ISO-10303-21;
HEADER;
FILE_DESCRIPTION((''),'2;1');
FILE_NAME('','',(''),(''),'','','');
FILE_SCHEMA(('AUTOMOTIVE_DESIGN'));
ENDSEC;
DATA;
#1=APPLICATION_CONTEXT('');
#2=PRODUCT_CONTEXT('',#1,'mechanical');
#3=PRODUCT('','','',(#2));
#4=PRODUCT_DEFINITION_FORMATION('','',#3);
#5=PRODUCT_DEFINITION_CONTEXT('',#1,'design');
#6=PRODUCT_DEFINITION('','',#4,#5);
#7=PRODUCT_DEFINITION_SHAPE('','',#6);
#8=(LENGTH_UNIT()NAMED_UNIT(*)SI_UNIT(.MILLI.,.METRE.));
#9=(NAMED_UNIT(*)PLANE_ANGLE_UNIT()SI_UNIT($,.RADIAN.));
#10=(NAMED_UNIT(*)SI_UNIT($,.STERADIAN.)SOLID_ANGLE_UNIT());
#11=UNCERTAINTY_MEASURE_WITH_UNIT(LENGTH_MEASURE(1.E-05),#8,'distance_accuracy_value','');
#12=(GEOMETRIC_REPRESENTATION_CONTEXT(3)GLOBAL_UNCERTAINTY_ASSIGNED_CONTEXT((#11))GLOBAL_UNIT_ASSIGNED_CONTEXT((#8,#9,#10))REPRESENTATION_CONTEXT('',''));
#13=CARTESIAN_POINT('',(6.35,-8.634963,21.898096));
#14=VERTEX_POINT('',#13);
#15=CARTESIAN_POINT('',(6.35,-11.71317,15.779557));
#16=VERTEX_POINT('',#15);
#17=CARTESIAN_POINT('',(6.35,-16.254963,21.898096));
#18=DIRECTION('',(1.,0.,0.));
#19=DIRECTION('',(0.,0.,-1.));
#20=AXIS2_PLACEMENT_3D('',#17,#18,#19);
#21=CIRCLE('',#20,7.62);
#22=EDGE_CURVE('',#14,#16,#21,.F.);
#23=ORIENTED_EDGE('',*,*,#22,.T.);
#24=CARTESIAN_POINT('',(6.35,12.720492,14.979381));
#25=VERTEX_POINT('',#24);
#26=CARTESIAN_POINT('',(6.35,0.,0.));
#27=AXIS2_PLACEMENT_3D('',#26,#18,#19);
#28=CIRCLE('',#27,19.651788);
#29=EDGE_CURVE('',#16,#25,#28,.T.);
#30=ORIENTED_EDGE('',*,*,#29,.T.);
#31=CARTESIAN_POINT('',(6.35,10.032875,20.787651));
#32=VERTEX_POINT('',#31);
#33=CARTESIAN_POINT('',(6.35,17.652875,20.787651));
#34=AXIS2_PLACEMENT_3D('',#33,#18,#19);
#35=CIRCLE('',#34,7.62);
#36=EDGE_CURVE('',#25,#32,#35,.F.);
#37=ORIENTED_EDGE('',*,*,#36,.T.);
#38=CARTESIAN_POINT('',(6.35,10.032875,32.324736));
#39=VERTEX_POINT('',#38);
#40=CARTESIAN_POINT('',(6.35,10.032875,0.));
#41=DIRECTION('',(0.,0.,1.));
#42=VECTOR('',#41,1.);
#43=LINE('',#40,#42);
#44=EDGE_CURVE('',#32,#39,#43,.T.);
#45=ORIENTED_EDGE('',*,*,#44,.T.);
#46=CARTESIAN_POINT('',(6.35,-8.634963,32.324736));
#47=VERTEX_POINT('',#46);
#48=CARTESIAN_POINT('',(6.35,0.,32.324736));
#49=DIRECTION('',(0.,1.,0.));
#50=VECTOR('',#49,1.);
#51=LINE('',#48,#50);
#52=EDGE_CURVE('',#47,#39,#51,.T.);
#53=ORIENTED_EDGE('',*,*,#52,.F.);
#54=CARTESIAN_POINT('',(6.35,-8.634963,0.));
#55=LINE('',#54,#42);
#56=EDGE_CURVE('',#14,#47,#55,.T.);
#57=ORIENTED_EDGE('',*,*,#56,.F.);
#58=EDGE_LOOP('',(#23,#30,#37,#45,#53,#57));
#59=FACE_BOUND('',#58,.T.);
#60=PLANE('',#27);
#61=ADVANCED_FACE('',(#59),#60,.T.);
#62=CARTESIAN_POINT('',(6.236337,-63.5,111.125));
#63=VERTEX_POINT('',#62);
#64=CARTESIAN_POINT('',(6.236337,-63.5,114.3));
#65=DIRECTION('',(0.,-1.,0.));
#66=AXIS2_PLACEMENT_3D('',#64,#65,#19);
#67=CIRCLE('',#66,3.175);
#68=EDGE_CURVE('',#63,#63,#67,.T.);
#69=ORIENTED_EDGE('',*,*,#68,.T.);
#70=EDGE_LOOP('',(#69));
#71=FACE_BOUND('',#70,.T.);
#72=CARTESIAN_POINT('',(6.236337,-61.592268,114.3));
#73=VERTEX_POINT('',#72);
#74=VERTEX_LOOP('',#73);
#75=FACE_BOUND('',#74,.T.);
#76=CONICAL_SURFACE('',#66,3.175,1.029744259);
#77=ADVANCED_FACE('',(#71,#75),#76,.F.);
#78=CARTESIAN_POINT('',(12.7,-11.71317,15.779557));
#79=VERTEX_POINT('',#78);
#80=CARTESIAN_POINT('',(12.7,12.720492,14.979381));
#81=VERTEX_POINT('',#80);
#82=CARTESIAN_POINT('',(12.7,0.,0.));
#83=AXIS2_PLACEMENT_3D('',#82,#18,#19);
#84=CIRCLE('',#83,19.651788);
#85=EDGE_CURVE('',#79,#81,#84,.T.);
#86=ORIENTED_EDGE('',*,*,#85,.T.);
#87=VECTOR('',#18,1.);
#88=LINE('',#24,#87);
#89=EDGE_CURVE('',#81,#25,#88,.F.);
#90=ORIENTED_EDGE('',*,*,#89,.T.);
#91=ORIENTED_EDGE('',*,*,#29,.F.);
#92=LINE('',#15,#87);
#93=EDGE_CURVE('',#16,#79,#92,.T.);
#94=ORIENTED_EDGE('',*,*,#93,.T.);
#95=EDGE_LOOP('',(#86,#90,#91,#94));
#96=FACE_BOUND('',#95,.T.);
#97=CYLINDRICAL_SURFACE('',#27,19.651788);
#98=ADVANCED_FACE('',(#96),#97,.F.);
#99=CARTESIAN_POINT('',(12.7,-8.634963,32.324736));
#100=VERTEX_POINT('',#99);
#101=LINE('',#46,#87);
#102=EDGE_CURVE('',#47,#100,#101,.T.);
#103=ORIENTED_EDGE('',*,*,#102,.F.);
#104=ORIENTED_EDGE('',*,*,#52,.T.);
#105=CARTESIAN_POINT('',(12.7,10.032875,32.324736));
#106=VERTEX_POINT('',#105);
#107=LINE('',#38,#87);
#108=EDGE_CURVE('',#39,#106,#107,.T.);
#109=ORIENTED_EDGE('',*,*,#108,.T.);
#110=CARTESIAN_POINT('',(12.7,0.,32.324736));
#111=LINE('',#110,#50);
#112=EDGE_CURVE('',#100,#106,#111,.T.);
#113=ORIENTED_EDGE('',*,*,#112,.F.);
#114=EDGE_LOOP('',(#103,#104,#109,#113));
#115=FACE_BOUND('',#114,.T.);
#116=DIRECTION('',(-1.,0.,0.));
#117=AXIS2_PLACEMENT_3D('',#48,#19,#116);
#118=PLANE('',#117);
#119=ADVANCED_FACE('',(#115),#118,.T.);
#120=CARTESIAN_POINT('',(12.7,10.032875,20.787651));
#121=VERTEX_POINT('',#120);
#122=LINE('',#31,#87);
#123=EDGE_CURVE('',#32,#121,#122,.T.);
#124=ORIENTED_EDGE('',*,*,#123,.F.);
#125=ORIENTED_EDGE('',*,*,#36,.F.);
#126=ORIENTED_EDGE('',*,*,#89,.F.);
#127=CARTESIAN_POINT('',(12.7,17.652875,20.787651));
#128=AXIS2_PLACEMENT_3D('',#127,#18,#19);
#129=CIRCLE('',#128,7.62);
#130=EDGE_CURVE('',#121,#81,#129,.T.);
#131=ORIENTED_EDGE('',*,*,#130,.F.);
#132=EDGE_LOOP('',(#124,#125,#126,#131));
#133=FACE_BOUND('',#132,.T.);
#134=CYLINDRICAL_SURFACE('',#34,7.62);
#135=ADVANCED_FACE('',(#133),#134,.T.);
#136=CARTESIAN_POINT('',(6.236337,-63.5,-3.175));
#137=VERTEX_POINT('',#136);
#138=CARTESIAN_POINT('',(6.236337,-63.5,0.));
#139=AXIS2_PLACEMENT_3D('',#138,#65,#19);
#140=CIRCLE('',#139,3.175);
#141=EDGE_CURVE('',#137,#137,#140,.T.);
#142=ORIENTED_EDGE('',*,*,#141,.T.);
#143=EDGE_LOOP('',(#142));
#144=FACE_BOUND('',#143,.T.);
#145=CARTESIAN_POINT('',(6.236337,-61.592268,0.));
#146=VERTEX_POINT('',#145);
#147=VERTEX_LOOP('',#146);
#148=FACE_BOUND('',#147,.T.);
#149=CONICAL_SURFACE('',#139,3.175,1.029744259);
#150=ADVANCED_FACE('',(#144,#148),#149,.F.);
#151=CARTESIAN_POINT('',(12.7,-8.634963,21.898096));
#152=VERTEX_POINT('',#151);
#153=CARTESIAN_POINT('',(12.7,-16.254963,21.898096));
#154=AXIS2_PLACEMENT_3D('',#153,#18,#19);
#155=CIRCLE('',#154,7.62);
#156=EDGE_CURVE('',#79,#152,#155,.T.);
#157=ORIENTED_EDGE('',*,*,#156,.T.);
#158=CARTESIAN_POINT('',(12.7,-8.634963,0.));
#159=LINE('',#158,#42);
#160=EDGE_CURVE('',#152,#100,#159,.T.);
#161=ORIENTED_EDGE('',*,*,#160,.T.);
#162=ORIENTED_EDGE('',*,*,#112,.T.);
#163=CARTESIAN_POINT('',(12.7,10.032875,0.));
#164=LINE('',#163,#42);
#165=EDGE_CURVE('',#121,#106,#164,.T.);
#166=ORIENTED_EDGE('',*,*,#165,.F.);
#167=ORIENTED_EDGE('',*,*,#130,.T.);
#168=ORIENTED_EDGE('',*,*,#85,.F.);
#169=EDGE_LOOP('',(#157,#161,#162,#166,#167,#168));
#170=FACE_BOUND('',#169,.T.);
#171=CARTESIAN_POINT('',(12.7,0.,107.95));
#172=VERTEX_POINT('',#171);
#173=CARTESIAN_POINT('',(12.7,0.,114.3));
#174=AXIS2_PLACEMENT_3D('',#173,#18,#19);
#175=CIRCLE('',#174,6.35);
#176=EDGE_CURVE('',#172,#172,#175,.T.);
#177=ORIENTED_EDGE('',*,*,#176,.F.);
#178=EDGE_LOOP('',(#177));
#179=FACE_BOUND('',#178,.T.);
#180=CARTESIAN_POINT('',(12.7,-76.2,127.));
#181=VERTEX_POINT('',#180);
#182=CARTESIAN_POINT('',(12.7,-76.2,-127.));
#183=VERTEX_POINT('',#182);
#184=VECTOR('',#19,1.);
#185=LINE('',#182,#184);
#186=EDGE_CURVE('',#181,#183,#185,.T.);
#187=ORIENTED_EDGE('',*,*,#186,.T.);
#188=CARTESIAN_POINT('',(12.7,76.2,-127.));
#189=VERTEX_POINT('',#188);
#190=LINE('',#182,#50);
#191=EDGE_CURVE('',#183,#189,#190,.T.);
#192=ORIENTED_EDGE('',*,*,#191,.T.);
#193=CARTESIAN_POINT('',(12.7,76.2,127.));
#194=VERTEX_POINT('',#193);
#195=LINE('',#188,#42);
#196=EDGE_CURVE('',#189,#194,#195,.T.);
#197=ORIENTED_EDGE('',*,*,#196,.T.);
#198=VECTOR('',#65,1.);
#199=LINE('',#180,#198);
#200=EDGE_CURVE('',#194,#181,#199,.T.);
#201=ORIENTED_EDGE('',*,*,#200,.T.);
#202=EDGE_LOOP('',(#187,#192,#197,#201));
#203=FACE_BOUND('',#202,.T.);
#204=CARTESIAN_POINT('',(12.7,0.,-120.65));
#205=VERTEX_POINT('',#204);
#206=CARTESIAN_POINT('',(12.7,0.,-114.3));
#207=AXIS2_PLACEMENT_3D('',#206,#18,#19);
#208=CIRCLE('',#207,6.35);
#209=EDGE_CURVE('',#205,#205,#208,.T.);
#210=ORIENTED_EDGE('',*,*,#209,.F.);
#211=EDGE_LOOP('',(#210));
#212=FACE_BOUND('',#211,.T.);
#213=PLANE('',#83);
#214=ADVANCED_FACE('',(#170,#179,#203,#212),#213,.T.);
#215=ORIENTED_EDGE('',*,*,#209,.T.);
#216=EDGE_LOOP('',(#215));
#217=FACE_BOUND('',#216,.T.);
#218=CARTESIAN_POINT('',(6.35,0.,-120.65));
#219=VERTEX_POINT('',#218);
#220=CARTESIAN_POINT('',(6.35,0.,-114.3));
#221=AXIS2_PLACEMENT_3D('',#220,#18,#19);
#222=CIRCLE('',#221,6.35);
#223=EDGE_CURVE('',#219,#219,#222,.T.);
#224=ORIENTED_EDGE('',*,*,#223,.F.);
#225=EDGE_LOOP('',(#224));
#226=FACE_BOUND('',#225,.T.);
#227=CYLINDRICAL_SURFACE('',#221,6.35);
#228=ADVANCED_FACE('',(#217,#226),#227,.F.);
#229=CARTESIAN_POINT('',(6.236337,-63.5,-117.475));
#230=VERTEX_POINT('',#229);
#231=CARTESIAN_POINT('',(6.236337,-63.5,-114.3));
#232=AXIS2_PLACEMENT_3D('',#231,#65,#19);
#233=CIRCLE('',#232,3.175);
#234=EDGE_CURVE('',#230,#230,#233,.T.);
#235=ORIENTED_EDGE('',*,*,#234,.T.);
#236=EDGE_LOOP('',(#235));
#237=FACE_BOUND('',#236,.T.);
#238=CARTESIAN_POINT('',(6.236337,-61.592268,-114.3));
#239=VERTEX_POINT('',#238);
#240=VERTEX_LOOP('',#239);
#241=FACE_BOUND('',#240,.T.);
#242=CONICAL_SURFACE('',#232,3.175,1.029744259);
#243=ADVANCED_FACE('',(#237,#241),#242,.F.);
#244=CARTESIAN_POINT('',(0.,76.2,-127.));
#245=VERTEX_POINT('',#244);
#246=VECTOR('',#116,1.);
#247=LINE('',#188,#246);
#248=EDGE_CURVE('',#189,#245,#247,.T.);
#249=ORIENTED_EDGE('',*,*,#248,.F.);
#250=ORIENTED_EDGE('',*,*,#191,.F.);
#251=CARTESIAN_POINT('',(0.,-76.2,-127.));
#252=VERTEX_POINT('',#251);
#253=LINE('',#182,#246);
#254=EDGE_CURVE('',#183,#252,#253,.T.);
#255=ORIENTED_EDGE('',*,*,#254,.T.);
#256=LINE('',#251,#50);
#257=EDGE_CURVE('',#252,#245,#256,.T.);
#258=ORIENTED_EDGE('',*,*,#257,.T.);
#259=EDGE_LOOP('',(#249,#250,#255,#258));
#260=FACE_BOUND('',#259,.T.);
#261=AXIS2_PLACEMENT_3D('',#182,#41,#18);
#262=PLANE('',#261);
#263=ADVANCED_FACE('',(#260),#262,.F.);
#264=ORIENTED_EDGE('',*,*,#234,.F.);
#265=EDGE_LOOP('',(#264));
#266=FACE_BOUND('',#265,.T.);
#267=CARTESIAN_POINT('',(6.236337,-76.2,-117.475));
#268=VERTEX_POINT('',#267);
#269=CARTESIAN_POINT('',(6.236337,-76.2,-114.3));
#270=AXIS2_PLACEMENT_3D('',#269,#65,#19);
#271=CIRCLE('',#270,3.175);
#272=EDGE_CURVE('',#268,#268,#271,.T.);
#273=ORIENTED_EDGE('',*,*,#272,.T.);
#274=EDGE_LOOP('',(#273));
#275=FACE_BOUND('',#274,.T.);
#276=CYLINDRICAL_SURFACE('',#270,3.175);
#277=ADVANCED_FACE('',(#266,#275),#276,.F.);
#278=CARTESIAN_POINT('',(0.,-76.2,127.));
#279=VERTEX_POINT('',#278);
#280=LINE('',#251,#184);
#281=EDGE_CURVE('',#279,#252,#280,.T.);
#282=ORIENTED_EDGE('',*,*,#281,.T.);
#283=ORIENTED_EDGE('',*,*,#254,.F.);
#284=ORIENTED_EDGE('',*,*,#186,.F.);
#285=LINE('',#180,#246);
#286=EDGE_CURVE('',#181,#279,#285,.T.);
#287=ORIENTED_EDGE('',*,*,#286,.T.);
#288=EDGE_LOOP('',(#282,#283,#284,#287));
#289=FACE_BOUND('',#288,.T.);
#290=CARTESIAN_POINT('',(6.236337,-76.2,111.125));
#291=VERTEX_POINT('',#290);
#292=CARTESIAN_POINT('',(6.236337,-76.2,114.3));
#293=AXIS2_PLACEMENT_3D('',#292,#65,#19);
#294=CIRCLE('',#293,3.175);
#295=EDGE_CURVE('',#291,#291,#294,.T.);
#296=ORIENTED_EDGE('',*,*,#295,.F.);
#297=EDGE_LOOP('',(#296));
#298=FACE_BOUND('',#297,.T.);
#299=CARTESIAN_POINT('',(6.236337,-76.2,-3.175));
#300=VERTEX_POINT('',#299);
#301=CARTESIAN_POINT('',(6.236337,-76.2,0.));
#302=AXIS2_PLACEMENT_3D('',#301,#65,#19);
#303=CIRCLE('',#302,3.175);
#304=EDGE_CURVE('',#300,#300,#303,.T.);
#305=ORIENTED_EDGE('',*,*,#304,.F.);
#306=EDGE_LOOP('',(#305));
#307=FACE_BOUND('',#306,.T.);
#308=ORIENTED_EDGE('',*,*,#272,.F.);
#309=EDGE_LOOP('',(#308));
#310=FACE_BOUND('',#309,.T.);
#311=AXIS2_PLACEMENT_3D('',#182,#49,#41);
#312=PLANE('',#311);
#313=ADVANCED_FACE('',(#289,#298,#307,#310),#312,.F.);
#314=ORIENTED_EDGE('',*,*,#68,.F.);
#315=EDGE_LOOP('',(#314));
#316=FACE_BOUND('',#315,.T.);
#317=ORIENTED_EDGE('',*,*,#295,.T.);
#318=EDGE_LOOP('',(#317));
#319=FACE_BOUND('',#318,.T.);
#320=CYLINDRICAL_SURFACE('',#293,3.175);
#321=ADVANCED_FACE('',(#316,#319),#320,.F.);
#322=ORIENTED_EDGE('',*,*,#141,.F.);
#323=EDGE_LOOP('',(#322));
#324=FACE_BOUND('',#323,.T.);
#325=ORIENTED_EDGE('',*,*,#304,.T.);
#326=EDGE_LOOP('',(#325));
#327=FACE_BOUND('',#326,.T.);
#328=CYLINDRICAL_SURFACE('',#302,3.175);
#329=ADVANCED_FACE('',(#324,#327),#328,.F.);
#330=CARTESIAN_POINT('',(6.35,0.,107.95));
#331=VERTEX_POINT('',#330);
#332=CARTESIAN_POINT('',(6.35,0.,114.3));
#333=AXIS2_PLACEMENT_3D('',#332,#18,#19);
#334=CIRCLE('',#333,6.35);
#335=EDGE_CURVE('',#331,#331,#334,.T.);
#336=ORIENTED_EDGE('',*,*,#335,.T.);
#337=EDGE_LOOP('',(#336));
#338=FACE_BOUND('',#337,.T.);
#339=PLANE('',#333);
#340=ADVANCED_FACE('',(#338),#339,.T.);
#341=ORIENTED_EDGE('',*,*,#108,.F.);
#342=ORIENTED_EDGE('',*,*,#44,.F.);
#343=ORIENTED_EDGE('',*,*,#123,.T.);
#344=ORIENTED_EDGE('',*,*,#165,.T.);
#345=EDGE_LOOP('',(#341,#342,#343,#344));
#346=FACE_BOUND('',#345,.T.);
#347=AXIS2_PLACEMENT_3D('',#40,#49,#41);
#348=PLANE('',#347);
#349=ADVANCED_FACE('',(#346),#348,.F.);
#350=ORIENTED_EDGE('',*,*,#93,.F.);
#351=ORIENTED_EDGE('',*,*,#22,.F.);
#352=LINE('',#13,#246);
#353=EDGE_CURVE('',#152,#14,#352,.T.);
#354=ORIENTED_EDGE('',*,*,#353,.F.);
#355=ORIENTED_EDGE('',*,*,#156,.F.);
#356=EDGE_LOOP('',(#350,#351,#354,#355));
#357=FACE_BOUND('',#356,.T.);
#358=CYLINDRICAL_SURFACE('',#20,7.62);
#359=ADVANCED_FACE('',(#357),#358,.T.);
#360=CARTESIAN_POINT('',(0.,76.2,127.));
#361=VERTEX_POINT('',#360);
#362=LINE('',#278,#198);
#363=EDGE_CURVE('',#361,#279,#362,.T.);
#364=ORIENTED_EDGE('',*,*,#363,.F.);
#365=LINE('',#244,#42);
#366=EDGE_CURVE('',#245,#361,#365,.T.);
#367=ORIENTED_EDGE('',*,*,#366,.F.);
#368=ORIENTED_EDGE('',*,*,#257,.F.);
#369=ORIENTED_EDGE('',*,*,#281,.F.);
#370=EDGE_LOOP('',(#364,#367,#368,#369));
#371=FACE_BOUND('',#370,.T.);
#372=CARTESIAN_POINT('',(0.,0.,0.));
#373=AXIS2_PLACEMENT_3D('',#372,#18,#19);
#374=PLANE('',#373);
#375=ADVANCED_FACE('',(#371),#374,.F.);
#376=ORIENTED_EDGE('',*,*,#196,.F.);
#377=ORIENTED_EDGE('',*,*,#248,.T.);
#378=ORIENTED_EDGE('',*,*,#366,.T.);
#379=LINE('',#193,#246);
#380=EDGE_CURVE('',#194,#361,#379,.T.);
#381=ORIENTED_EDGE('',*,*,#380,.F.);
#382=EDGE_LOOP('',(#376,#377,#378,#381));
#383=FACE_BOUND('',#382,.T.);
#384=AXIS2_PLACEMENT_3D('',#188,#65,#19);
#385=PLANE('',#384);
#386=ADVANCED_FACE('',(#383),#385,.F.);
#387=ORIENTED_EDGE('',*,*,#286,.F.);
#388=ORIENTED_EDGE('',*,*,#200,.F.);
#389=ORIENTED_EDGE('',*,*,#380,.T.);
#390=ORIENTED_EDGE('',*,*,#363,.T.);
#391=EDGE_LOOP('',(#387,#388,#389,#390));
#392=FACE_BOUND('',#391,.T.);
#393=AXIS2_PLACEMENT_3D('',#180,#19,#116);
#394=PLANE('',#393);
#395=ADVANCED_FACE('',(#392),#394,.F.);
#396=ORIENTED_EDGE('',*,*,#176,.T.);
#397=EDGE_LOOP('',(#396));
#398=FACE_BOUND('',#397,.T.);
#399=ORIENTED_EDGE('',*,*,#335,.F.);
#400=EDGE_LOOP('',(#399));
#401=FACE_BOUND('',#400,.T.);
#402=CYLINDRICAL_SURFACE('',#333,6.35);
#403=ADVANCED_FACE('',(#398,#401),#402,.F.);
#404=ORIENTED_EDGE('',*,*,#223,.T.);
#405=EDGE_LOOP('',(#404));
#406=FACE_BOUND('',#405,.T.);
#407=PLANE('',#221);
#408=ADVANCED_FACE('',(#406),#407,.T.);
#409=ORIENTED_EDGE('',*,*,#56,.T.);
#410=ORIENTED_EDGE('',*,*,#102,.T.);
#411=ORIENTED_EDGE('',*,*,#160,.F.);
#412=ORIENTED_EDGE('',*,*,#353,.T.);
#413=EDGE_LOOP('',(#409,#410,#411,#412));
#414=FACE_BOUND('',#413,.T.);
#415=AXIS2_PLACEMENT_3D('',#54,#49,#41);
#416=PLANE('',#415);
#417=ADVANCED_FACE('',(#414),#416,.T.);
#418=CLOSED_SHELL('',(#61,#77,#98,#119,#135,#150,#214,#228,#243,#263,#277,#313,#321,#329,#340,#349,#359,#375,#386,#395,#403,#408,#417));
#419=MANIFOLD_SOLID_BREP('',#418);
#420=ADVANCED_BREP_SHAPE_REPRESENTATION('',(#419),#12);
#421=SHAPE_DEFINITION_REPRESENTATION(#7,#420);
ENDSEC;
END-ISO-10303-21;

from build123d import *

# Parameters (mm, degrees)
SKETCH1_W                       = 254
SKETCH1_H                       = 152.4
BOSS_EXTRUDE1_DEPTH             = 12.7
SKETCH3_R                       = 6.35
CUT_EXTRUDE2_DEPTH              = 6.35
F_1_4_0_25_DIAMETER_HOLE1_D     = 6.35
F_1_4_0_25_DIAMETER_HOLE1_DEPTH = 12.7
F_1_4_0_25_DIAMETER_HOLE1_TIP   = 1.907732465
CUT_EXTRUDE3_DEPTH              = 6.35
FILLET1_R                       = 7.62


with BuildPart() as part:
    # Sketch1 → Boss-Extrude1 (new body)
    with BuildSketch(Plane(origin=(0, 0, 0), x_dir=(0, 0, -1), z_dir=(1, 0, 0))):
        Rectangle(SKETCH1_W, SKETCH1_H)
    extrude(amount=BOSS_EXTRUDE1_DEPTH)

    # Sketch3 → Cut-Extrude2 (cut)
    with BuildSketch(Plane(origin=(12.7, 0, 0), x_dir=(0, 0, -1), z_dir=(1, 0, 0))):
        with Locations((114.3, 0)):
            Circle(SKETCH3_R)
        with Locations((-114.3, 0)):
            Circle(SKETCH3_R)
    extrude(amount=-CUT_EXTRUDE2_DEPTH, mode=Mode.SUBTRACT)

    # 1/4 (0.25) Diameter Hole1
    with Locations(Plane(origin=(0, -76.2, 0), x_dir=(-1, 0, 0), z_dir=(0, -1, 0))):
        with Locations((-6.236337014, -114.3), (-6.236337014, 0), (-6.236337014, 114.3)):
            Hole(F_1_4_0_25_DIAMETER_HOLE1_D / 2, depth=F_1_4_0_25_DIAMETER_HOLE1_DEPTH)
            with Locations((0, 0, -(F_1_4_0_25_DIAMETER_HOLE1_DEPTH + F_1_4_0_25_DIAMETER_HOLE1_TIP / 2))):  # 118° drill point
                Cone(0, F_1_4_0_25_DIAMETER_HOLE1_D / 2, F_1_4_0_25_DIAMETER_HOLE1_TIP, mode=Mode.SUBTRACT)

    # Sketch7 → Cut-Extrude3 (cut)
    with BuildSketch(Plane(origin=(12.7, 0, 0), x_dir=(0, 0, -1), z_dir=(1, 0, 0))):
        with BuildLine():
            Line((0, 10.032875442), (0, -8.634963037))
            Line((0, -8.634963037), (-17.653050426, -8.634963037))
            ThreePointArc((-17.653050426, -8.634963037), (4.431634546, -19.145584119), (19.651788112, 0))
            ThreePointArc((19.651788112, 0), (5.202001486, 18.950777201), (-16.897756844, 10.032875442))
            Line((-16.897756844, 10.032875442), (0, 10.032875442))
        make_face()
        with BuildLine():
            Line((-17.653050426, -8.634963037), (0, -8.634963037))
            Line((0, -8.634963037), (0, 10.032875442))
            Line((0, 10.032875442), (-16.897756844, 10.032875442))
            ThreePointArc((-16.897756844, 10.032875442), (-19.635723036, 0.79445382), (-17.653050426, -8.634963037))
        make_face()
        with BuildLine():
            Line((-32.324736448, -8.634963037), (-17.653050426, -8.634963037))
            ThreePointArc((-17.653050426, -8.634963037), (-19.635723036, 0.79445382), (-16.897756844, 10.032875442))
            Line((-16.897756844, 10.032875442), (-32.324736448, 10.032875442))
            Line((-32.324736448, 10.032875442), (-32.324736448, -8.634963037))
        make_face()
    extrude(amount=-CUT_EXTRUDE3_DEPTH, mode=Mode.SUBTRACT)

    # Fillet1
    fillet1_edges = [part.edges().sort_by_distance(p)[0] for p in [
        (9.525, 10.032875442, 16.897756844),
        (9.525, -8.634963037, 17.653050426),
    ]]
    fillet(fillet1_edges, radius=FILLET1_R)


solid = part.part
